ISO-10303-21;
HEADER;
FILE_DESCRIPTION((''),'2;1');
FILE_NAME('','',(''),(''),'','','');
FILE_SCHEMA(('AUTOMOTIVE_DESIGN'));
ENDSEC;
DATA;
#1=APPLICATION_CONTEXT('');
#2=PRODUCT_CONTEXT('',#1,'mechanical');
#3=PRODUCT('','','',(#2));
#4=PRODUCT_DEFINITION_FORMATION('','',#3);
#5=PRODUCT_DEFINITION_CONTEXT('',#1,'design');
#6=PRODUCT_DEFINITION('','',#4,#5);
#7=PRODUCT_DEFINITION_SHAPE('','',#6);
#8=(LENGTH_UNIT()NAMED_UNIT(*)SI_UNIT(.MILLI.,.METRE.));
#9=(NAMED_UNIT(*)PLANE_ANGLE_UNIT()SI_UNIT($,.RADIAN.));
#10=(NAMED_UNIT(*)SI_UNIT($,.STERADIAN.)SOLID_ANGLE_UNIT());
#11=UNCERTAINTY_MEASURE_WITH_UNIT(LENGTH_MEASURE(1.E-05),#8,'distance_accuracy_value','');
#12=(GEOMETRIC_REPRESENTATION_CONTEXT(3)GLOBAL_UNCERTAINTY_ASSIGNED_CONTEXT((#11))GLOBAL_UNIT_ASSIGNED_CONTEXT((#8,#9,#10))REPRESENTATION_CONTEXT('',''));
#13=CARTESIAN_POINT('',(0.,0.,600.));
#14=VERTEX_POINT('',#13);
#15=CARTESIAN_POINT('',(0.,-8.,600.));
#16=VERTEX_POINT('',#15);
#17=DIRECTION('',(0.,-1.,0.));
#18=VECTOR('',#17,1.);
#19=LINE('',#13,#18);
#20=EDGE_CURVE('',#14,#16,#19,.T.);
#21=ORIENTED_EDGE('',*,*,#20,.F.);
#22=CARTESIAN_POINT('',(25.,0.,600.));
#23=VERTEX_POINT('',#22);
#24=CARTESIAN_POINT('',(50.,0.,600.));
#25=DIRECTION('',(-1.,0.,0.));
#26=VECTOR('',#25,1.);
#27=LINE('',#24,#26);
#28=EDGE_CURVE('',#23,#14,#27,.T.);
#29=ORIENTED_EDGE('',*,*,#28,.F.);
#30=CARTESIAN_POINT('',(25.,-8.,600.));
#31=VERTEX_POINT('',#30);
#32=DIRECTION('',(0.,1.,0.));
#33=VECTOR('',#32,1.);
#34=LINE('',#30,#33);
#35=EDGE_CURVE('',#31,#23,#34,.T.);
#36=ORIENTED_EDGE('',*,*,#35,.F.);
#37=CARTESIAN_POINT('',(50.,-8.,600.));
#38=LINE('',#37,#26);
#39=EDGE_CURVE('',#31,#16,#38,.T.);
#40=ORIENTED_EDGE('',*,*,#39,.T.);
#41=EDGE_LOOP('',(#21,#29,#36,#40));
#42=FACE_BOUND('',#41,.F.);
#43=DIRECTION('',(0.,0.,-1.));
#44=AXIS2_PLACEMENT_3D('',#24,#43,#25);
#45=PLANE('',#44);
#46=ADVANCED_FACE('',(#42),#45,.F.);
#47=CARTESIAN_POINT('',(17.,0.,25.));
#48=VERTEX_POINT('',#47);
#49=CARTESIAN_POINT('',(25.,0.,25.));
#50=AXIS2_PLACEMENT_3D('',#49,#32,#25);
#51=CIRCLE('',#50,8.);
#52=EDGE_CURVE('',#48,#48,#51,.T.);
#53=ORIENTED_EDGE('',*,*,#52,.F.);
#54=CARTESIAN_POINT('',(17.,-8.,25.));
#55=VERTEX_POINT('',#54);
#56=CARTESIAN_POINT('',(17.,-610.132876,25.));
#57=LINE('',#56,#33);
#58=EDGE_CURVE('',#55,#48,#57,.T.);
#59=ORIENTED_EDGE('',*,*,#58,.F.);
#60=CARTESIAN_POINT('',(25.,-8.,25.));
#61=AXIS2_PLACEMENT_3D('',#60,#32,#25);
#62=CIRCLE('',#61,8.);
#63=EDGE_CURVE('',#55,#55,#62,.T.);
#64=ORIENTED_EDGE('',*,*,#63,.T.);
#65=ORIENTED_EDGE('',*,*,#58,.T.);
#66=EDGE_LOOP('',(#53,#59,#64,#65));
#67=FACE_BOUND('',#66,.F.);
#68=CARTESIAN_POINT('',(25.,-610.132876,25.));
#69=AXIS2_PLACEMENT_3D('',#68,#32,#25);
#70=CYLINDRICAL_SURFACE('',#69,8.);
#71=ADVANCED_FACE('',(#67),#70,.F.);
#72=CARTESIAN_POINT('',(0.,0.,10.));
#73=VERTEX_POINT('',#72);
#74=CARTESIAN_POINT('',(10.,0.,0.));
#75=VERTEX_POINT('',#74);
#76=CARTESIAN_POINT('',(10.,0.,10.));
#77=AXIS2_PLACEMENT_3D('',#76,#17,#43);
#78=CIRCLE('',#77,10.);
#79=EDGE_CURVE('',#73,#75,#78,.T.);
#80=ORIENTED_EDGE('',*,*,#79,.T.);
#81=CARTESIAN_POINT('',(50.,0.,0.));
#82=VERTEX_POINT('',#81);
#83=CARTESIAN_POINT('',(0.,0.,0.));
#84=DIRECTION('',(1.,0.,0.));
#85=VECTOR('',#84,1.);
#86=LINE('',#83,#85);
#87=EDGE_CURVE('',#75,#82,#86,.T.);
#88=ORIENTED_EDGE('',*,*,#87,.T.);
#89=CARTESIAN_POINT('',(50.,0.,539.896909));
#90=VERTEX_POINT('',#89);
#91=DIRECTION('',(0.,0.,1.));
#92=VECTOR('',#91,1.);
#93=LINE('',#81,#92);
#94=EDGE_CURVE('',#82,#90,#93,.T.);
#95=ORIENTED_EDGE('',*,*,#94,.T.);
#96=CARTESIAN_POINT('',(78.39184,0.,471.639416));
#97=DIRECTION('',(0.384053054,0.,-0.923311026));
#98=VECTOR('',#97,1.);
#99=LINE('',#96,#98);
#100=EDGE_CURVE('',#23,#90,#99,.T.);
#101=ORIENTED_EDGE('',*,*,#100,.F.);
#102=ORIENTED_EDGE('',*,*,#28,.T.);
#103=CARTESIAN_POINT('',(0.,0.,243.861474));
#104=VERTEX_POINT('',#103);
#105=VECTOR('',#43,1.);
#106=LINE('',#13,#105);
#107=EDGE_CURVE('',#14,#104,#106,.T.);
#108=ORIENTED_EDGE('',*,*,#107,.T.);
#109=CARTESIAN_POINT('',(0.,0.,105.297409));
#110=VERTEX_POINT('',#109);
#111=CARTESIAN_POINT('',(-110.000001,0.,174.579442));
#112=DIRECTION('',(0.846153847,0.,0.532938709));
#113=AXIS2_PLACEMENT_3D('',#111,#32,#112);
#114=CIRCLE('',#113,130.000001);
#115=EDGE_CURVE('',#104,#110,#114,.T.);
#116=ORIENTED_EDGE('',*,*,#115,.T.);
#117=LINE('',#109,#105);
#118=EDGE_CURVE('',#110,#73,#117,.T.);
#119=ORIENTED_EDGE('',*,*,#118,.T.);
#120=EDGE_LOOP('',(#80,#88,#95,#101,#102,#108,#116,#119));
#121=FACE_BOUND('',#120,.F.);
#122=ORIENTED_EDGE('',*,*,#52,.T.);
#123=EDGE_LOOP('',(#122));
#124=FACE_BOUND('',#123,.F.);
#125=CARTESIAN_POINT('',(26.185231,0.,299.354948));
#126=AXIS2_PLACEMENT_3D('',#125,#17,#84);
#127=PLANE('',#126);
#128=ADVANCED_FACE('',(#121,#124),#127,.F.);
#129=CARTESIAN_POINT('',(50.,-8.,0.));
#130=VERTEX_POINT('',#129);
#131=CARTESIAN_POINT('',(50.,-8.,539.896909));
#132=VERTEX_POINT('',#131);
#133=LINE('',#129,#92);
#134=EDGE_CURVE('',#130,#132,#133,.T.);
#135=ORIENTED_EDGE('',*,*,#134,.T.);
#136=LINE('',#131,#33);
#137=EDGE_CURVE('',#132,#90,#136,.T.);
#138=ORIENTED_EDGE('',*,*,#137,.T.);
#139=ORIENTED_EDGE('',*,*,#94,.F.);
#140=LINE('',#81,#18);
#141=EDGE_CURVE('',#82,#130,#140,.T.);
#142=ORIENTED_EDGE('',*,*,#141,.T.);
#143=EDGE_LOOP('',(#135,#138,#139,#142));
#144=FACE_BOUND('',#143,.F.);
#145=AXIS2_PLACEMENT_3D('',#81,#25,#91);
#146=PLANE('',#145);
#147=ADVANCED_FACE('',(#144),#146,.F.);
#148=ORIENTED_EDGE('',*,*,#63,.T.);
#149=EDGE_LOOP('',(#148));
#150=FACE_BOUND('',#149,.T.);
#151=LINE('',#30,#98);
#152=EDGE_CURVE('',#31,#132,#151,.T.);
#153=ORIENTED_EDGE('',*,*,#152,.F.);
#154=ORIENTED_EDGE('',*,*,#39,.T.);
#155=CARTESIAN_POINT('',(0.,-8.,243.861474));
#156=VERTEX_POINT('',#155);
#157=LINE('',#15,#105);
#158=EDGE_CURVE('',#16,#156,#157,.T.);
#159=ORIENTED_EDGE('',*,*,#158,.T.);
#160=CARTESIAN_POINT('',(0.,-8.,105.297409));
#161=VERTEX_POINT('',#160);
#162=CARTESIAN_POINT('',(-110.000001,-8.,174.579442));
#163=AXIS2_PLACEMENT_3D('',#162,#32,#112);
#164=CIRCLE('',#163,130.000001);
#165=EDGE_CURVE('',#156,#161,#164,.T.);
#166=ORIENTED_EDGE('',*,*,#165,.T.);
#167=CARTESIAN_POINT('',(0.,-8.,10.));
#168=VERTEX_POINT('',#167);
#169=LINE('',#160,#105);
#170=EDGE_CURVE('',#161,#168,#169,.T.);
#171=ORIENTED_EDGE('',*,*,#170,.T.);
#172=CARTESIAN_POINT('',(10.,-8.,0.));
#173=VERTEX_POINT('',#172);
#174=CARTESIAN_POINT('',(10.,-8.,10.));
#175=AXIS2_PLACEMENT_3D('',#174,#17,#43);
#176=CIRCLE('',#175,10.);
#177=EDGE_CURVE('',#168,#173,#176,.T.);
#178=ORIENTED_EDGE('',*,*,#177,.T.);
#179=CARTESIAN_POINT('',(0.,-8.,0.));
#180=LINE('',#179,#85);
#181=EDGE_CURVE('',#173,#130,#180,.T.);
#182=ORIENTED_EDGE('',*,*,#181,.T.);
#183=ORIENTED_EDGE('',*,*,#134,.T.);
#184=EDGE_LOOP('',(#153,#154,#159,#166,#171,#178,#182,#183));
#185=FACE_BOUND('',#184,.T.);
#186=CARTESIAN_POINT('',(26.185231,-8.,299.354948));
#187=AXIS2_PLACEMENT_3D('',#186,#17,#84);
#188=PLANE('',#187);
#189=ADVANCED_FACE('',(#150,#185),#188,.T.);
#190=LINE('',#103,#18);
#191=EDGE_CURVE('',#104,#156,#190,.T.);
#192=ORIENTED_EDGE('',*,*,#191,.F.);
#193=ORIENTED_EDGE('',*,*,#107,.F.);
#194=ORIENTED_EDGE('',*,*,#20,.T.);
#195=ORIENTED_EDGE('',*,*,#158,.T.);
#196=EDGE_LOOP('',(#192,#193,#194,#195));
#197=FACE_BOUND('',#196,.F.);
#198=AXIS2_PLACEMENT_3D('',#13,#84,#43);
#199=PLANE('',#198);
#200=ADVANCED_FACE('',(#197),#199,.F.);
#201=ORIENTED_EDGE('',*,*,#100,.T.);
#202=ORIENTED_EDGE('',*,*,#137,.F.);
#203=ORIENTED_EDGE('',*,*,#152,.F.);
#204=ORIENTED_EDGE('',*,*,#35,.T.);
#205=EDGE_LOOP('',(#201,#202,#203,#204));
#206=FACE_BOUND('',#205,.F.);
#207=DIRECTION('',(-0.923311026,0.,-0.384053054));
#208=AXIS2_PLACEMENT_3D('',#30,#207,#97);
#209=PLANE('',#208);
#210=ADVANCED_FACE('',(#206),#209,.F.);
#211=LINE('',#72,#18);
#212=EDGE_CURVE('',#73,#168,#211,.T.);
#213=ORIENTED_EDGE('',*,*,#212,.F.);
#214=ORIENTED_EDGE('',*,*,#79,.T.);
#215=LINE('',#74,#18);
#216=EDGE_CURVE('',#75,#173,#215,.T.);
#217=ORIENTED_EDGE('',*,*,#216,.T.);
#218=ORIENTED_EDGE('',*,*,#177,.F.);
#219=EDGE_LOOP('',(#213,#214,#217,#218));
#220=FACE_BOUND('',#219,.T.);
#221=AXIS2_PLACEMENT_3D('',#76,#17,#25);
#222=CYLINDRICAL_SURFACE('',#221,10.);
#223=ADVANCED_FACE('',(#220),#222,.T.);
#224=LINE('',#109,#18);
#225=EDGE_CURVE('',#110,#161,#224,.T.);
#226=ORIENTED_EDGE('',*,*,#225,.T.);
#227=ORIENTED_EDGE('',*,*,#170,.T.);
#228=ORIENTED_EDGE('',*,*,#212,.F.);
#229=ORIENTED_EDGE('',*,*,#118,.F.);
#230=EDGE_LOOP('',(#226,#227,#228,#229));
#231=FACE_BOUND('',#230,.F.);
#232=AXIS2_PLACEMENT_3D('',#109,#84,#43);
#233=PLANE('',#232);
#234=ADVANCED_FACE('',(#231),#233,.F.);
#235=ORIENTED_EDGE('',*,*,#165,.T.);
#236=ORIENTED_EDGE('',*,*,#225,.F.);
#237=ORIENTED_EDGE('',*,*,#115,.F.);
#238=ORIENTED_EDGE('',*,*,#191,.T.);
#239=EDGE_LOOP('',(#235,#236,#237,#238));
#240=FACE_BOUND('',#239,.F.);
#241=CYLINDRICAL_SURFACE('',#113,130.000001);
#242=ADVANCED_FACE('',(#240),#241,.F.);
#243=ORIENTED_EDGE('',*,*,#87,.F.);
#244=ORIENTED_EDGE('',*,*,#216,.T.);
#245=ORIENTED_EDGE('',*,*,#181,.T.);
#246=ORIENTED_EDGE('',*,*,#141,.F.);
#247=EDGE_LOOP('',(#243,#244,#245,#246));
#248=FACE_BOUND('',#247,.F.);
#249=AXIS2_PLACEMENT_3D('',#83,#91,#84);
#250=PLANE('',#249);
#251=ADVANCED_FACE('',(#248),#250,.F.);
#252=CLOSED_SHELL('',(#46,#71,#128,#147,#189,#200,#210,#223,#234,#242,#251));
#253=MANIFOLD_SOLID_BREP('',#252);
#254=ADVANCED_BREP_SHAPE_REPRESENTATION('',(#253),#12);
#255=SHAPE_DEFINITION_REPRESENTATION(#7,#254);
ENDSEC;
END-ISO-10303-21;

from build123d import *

# Parameters (mm, degrees)
F1_DEPTH = 8
F3_D     = 16
F4_R     = 10
F6_DEPTH = 25


with BuildPart() as f1:
    # F0 (on Front) → F1 (new body)
    with BuildSketch(Plane.XZ):
        with BuildLine():
            Line((0, 105.297409), (0, 0))
            Line((0, 0), (50, 0))
            Line((50, 0), (50, 600))
            Line((50, 600), (0, 600))
            Line((0, 600), (0, 243.861474))
            ThreePointArc((0, 243.861474), (20, 174.579442), (0, 105.297409))
        make_face()
    extrude(amount=F1_DEPTH)

    # F3 (through all)
    with Locations(Plane.XZ.offset(8)):
        with Locations((25, 25)):
            Hole(F3_D / 2)

    # F4
    f4_edges = [f1.edges().sort_by_distance(p)[0] for p in [
        (0, -4, 0),
    ]]
    fillet(f4_edges, radius=F4_R)

    # F5 (on face) → F6 (cut)
    with BuildSketch(Plane.XZ.offset(8)):
        Polygon((50, 600), (25, 600), (50, 539.896909), align=None)
    extrude(amount=-F6_DEPTH, mode=Mode.SUBTRACT)


solid = f1.part
